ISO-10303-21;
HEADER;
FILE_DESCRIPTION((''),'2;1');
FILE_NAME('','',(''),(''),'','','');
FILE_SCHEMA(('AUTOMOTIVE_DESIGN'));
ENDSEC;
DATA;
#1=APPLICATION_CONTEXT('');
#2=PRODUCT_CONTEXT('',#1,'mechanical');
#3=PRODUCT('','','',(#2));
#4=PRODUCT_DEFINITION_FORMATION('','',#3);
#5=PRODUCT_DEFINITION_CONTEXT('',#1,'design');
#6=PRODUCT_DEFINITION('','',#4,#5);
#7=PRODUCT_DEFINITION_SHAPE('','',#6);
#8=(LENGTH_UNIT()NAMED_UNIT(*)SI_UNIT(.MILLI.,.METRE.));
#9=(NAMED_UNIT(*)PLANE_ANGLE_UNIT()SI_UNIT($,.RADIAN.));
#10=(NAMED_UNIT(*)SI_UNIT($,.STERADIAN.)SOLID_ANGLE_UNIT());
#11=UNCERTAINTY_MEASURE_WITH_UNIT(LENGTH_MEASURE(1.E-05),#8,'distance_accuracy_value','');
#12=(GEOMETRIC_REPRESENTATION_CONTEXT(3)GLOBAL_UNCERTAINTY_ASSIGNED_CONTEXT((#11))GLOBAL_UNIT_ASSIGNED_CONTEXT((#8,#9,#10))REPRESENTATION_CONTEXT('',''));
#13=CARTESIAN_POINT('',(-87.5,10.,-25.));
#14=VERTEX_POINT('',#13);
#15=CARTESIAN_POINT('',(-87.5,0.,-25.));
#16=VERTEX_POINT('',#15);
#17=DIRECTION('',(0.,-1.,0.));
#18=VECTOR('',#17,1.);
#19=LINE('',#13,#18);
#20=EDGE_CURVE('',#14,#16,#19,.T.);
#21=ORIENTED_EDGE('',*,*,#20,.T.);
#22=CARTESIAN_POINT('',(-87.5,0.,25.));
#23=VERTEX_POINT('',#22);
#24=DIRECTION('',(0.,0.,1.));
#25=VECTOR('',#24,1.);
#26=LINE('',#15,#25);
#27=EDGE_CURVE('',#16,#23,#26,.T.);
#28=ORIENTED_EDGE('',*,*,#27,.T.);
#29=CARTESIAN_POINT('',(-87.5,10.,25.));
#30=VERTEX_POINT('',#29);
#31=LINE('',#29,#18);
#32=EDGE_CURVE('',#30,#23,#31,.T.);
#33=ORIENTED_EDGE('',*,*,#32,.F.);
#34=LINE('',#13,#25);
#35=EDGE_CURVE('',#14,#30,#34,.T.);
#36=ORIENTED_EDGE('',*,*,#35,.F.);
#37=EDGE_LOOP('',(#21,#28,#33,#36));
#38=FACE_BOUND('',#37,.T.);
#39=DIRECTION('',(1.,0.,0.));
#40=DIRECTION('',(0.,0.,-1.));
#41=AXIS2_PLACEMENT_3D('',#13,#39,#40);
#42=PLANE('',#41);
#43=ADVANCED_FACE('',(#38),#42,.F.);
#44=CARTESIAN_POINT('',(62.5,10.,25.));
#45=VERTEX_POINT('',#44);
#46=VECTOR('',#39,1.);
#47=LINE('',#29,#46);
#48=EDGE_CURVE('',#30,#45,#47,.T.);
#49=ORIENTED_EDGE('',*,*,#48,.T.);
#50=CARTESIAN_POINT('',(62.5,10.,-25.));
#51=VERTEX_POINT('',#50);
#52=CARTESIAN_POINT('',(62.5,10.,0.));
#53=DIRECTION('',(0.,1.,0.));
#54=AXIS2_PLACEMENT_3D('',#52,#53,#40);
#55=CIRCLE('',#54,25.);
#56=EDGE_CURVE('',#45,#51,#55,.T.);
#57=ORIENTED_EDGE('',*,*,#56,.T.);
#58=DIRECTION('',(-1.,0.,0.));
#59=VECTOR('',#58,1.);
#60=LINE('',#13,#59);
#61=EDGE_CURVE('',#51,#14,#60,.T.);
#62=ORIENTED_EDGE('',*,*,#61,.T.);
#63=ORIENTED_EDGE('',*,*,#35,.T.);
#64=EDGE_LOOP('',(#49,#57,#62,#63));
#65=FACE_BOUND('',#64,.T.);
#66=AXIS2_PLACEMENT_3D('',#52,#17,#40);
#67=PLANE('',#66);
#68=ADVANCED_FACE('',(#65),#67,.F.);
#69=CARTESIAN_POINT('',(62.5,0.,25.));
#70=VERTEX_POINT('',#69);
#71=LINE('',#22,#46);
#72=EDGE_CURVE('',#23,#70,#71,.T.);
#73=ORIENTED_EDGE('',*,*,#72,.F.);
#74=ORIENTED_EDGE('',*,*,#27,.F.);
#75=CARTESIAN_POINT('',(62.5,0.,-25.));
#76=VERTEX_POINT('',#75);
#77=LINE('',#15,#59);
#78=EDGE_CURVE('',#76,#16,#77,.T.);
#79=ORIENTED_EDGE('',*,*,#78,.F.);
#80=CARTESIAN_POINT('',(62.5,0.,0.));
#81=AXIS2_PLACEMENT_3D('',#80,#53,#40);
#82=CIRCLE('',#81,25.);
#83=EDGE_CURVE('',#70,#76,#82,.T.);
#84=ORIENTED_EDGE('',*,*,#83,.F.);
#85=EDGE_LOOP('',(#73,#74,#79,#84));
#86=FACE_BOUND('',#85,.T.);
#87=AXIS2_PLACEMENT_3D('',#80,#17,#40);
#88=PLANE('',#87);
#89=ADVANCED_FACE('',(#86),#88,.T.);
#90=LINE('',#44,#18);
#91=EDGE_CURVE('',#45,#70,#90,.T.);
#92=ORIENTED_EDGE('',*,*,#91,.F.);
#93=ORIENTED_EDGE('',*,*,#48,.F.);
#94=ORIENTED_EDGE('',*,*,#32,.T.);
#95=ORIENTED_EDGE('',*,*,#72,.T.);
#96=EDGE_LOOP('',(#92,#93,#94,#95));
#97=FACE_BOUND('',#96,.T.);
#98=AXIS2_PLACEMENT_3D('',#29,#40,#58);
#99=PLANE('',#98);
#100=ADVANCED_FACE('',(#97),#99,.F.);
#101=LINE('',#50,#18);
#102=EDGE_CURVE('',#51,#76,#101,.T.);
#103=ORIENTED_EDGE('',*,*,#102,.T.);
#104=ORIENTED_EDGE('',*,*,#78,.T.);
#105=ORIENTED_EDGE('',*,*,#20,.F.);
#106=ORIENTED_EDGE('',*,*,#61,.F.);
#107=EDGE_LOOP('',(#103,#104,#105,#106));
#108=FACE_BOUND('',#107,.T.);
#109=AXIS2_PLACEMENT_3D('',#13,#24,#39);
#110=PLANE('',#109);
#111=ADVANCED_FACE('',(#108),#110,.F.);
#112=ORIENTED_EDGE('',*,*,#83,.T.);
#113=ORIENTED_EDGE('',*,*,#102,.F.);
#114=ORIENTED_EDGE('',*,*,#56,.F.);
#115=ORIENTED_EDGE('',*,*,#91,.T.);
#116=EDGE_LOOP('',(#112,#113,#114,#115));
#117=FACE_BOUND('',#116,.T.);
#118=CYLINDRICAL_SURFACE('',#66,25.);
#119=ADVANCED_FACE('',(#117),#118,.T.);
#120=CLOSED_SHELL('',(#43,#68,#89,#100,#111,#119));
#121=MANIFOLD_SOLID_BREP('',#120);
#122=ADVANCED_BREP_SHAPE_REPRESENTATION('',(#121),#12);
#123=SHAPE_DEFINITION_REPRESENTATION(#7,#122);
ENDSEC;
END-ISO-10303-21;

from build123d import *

# Parameters (mm, degrees)
BOSS_EXTRU_1_DEPTH = 10


with BuildPart() as part:
    # Esquisse1 → Boss.-Extru.1 (new body)
    with BuildSketch(Plane(origin=(0, 0, 0), x_dir=(1, 0, 0), z_dir=(0, 1, 0))):
        with BuildLine():
            Line((-87.5, -25), (-87.5, 25))
            Line((-87.5, 25), (62.5, 25))
            ThreePointArc((62.5, 25), (87.5, 0), (62.5, -25))
            Line((62.5, -25), (-87.5, -25))
        make_face()
    extrude(amount=BOSS_EXTRU_1_DEPTH)


solid = part.part
